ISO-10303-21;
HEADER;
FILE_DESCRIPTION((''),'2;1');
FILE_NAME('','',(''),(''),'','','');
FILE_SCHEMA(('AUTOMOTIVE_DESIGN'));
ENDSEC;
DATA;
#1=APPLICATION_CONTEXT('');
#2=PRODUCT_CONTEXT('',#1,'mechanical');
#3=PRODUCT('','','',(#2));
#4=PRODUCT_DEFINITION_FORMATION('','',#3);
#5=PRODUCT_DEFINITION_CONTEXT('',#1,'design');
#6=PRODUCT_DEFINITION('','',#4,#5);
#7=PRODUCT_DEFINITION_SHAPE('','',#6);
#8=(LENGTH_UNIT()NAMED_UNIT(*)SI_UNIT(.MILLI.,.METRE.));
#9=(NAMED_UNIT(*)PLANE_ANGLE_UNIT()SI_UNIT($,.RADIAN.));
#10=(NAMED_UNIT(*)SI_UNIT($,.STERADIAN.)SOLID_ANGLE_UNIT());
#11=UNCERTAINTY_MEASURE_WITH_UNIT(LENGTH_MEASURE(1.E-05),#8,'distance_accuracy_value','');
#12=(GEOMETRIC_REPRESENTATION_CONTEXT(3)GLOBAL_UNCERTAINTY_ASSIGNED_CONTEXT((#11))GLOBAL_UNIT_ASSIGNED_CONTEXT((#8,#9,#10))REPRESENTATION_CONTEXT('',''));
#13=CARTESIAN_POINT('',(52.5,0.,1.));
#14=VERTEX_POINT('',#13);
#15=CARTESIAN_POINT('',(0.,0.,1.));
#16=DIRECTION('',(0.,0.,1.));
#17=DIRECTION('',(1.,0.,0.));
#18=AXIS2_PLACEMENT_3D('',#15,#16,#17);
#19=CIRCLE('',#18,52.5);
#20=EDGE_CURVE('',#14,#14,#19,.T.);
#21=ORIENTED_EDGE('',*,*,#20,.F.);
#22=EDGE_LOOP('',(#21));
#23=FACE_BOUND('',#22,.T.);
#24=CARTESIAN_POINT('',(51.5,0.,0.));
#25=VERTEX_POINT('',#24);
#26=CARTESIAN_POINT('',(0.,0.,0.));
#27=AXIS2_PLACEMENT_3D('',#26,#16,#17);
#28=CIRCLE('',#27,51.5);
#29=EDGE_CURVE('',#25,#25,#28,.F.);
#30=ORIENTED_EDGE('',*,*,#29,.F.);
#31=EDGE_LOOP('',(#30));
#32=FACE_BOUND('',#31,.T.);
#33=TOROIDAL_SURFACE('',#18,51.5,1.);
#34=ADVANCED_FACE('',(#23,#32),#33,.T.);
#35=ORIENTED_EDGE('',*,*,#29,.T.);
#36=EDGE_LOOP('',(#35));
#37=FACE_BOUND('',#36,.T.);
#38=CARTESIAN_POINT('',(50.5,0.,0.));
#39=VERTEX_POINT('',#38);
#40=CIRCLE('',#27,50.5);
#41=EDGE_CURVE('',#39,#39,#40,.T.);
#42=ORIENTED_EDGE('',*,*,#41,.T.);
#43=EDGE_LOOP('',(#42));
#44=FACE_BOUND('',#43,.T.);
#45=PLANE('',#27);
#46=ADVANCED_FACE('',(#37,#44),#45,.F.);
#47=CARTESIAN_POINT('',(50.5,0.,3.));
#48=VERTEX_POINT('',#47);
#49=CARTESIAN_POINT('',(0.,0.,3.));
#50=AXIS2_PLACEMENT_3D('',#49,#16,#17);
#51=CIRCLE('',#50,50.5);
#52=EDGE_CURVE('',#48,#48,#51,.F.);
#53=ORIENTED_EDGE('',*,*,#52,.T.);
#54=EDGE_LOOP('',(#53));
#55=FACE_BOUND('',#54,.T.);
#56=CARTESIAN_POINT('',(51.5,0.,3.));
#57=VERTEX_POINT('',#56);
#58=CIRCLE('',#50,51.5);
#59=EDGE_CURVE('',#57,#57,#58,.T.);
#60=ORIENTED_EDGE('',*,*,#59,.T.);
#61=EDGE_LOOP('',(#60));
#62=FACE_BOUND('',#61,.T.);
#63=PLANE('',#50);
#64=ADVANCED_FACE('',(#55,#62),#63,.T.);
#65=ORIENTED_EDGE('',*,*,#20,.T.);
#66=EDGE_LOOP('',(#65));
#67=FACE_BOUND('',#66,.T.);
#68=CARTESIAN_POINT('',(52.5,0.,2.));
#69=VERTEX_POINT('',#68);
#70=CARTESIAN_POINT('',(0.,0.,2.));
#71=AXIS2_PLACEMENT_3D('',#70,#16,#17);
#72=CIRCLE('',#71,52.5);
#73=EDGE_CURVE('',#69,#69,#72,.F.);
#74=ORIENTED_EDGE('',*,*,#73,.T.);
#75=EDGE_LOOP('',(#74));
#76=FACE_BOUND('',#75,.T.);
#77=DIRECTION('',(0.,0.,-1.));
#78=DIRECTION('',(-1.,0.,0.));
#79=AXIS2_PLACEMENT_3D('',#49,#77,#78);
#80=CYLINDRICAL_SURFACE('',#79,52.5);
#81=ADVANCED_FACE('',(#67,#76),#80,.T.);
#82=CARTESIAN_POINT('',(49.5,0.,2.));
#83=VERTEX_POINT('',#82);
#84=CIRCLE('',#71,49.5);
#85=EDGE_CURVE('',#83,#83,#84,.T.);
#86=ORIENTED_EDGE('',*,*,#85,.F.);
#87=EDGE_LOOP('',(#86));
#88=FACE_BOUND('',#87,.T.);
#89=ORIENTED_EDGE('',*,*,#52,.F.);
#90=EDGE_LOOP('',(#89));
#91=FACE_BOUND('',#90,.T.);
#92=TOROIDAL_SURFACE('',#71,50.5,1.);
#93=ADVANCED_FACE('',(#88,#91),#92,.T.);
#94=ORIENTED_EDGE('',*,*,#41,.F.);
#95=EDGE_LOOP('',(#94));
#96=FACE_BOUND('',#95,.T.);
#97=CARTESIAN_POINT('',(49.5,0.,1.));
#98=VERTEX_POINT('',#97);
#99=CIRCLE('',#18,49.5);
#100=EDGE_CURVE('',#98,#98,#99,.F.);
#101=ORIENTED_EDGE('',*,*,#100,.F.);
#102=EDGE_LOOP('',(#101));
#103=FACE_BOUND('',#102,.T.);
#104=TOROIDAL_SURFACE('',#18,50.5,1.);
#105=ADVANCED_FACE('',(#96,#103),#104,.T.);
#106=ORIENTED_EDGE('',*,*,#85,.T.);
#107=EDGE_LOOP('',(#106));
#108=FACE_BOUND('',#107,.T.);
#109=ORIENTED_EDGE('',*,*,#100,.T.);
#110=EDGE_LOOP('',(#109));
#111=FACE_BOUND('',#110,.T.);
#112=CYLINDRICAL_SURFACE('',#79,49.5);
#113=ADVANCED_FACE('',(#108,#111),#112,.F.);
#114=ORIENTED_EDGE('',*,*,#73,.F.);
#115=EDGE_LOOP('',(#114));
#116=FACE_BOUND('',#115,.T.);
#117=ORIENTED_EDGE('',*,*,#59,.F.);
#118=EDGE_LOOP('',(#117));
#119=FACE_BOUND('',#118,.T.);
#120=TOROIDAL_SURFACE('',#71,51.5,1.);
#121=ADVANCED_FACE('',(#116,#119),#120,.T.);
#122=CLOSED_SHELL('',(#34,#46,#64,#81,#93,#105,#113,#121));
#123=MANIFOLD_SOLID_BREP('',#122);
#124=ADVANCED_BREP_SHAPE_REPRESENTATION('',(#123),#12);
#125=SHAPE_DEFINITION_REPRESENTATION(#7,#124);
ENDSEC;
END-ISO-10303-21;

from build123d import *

# Parameters (mm, degrees)
SCHIZZO1_R                   = 52.5
SCHIZZO1_R_2                 = 49.5
ESTRUSIONE_ESTRUSIONE1_DEPTH = 3
RACCORDO1_R                  = 1


with BuildPart() as part:
    # Schizzo1 → Estrusione-Estrusione1 (new body)
    with BuildSketch(Plane.XY):
        Circle(SCHIZZO1_R)
        Circle(SCHIZZO1_R_2, mode=Mode.SUBTRACT)
    extrude(amount=ESTRUSIONE_ESTRUSIONE1_DEPTH)

    # Raccordo1
    raccordo1_edges = [part.edges().sort_by_distance(p)[0] for p in [
        (-52.5, 0, 0),
        (-52.5, 0, 3),
        (-49.5, 0, 0),
        (-49.5, 0, 3),
    ]]
    fillet(raccordo1_edges, radius=RACCORDO1_R)


solid = part.part
